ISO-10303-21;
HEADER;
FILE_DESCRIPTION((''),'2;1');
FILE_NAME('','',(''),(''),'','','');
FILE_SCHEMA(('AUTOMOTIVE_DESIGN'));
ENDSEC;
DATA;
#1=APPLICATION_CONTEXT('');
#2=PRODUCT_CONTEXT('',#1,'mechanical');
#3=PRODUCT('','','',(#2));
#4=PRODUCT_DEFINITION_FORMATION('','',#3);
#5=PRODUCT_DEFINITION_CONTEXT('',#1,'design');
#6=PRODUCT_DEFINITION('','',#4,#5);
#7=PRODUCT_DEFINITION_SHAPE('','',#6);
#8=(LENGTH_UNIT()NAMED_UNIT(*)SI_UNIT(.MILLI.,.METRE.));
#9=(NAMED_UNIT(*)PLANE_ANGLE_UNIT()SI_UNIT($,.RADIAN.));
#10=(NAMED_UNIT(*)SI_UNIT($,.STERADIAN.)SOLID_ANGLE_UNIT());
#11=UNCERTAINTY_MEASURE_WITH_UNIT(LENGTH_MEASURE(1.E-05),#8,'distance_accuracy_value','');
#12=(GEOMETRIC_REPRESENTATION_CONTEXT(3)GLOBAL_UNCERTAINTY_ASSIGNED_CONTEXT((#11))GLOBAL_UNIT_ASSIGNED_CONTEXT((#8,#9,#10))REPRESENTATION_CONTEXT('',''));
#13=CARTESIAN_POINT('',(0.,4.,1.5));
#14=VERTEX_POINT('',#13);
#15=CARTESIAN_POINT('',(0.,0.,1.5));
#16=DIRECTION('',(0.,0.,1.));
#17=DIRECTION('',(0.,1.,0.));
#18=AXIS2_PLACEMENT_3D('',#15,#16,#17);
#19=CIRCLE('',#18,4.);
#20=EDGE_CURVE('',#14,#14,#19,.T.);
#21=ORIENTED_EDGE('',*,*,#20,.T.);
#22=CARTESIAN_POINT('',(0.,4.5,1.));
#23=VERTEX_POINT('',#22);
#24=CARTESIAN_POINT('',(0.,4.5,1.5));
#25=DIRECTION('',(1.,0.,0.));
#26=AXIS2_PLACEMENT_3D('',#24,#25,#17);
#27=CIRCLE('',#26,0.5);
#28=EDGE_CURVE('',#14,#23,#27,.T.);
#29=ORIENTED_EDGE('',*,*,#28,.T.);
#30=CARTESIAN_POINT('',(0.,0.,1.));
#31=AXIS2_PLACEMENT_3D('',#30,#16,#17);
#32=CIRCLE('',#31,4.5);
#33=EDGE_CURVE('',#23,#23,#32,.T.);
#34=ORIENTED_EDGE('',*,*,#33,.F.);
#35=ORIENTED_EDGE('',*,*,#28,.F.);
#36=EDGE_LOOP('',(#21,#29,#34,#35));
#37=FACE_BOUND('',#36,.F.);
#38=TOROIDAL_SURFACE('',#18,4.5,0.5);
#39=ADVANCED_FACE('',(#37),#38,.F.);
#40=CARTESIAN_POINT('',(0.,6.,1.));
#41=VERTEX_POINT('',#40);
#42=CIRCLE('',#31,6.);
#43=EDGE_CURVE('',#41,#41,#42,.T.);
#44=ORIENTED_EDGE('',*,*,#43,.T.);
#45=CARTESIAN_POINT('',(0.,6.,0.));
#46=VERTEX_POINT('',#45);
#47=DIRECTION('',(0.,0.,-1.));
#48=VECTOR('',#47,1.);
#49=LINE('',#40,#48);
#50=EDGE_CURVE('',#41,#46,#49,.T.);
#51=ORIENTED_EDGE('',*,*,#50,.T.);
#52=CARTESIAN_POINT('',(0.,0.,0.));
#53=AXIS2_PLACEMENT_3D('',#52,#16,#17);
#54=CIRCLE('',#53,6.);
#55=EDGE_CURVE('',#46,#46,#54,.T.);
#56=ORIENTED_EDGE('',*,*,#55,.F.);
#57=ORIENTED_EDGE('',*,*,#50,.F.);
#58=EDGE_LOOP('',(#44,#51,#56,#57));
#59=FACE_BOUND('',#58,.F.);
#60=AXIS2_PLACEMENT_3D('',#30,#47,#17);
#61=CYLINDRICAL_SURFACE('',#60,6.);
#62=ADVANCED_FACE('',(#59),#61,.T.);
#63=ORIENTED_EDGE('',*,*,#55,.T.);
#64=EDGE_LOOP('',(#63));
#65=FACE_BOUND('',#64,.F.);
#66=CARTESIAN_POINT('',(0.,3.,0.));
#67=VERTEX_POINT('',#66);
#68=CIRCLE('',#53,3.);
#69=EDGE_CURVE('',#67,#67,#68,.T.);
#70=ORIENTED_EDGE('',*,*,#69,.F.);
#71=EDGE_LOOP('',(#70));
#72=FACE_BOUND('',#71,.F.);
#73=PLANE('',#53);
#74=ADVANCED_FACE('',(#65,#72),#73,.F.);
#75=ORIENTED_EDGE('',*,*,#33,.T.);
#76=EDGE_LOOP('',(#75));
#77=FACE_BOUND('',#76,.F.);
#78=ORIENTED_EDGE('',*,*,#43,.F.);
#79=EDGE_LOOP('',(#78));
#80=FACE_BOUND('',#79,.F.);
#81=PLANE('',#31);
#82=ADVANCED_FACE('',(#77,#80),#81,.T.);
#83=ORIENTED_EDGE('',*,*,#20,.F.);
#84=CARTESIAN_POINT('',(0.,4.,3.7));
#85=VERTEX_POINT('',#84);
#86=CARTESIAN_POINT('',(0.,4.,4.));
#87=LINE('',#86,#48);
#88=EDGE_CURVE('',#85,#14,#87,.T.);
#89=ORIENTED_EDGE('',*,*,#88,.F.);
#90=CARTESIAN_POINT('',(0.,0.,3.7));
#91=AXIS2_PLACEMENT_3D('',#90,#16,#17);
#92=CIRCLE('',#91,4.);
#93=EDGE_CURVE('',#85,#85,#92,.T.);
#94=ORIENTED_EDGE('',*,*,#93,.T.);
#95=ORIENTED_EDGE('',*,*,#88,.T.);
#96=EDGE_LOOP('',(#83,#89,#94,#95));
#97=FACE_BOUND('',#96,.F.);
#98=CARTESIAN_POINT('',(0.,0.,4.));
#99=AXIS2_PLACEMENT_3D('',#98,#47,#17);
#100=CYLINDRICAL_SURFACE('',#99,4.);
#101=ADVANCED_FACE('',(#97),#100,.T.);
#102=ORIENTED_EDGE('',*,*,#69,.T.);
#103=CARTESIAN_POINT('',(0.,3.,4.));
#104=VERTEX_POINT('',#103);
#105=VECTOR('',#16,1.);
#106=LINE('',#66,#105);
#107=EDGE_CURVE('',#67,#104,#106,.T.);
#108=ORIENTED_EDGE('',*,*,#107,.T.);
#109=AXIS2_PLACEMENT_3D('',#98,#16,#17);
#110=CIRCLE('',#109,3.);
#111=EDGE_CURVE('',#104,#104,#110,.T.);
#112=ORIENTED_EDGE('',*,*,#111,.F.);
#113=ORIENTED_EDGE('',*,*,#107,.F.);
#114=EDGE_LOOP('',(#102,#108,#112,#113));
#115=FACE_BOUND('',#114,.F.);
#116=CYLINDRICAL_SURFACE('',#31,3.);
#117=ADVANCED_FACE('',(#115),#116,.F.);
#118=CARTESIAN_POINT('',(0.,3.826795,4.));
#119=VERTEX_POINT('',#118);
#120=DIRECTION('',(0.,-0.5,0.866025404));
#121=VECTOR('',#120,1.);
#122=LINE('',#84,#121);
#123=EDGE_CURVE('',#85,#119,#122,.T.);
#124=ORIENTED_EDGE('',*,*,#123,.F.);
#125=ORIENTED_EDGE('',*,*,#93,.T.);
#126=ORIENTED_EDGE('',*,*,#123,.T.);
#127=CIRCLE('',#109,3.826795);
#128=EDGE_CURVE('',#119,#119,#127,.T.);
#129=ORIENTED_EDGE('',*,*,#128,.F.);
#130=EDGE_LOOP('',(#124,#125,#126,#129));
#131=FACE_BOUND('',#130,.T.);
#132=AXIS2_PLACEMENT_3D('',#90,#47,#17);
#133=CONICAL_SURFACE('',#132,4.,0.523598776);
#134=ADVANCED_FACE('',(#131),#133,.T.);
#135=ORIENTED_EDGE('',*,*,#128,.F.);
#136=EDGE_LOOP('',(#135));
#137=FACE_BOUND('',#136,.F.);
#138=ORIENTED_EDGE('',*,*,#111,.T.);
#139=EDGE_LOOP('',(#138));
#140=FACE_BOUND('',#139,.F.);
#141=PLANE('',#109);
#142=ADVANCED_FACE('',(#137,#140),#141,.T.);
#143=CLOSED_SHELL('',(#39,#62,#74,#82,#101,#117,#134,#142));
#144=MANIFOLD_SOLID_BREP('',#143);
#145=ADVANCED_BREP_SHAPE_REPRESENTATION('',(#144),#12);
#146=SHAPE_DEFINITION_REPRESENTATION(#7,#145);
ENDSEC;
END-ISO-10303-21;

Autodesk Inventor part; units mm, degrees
ref_plane "YZ Plane" through (0, 0, 0) normal (1, 0, 0) x (0, 1, 0)
ref_plane "XZ Plane" through (0, 0, 0) normal (0, 1, 0) x (-1, 0, 0)
ref_plane "XY Plane" through (0, 0, 0) normal (0, 0, 1) x (1, 0, 0)
sketch "スケッチ1" plane through (0, 0, 0) normal (1, 0, 0) x (0, 1, 0)
  line L0 (0, -0.8) -> (0, 4.8) construction
  line L1 (3, 4) -> (4, 4)
  line L2 (4, 4) -> (4, 1)
  line L3 (4, 1) -> (3, 1)
  line L4 (3, 1) -> (3, 4)
  line L5 (3, 1) -> (6, 1)
  line L6 (6, 1) -> (6, 0)
  line L7 (6, 0) -> (3, 0)
  line L8 (3, 0) -> (3, 1)
  point P0 (0, 0)
  point P1 (4, 1)
  dimension "d0" = 6
  dimension "d1" = 8
  dimension "d2" = 1
  dimension "d3" = 4
  dimension "d4" = 12
revolve "回転1" add sketch "スケッチ1" angle 360 about axis through (0, 0, -10) along (0, 0, 1)
fillet "フィレット1" radius 0.5 1 edges at (0, -4, 1)
chamfer "面取り1" distance 0.3 angle 30 1 edges at (0, -4, 4) measured on face at (0.3219, 3.987, 2.3333)
properties part number "_GFM-0608-04" material "アセタール樹脂、黒"
